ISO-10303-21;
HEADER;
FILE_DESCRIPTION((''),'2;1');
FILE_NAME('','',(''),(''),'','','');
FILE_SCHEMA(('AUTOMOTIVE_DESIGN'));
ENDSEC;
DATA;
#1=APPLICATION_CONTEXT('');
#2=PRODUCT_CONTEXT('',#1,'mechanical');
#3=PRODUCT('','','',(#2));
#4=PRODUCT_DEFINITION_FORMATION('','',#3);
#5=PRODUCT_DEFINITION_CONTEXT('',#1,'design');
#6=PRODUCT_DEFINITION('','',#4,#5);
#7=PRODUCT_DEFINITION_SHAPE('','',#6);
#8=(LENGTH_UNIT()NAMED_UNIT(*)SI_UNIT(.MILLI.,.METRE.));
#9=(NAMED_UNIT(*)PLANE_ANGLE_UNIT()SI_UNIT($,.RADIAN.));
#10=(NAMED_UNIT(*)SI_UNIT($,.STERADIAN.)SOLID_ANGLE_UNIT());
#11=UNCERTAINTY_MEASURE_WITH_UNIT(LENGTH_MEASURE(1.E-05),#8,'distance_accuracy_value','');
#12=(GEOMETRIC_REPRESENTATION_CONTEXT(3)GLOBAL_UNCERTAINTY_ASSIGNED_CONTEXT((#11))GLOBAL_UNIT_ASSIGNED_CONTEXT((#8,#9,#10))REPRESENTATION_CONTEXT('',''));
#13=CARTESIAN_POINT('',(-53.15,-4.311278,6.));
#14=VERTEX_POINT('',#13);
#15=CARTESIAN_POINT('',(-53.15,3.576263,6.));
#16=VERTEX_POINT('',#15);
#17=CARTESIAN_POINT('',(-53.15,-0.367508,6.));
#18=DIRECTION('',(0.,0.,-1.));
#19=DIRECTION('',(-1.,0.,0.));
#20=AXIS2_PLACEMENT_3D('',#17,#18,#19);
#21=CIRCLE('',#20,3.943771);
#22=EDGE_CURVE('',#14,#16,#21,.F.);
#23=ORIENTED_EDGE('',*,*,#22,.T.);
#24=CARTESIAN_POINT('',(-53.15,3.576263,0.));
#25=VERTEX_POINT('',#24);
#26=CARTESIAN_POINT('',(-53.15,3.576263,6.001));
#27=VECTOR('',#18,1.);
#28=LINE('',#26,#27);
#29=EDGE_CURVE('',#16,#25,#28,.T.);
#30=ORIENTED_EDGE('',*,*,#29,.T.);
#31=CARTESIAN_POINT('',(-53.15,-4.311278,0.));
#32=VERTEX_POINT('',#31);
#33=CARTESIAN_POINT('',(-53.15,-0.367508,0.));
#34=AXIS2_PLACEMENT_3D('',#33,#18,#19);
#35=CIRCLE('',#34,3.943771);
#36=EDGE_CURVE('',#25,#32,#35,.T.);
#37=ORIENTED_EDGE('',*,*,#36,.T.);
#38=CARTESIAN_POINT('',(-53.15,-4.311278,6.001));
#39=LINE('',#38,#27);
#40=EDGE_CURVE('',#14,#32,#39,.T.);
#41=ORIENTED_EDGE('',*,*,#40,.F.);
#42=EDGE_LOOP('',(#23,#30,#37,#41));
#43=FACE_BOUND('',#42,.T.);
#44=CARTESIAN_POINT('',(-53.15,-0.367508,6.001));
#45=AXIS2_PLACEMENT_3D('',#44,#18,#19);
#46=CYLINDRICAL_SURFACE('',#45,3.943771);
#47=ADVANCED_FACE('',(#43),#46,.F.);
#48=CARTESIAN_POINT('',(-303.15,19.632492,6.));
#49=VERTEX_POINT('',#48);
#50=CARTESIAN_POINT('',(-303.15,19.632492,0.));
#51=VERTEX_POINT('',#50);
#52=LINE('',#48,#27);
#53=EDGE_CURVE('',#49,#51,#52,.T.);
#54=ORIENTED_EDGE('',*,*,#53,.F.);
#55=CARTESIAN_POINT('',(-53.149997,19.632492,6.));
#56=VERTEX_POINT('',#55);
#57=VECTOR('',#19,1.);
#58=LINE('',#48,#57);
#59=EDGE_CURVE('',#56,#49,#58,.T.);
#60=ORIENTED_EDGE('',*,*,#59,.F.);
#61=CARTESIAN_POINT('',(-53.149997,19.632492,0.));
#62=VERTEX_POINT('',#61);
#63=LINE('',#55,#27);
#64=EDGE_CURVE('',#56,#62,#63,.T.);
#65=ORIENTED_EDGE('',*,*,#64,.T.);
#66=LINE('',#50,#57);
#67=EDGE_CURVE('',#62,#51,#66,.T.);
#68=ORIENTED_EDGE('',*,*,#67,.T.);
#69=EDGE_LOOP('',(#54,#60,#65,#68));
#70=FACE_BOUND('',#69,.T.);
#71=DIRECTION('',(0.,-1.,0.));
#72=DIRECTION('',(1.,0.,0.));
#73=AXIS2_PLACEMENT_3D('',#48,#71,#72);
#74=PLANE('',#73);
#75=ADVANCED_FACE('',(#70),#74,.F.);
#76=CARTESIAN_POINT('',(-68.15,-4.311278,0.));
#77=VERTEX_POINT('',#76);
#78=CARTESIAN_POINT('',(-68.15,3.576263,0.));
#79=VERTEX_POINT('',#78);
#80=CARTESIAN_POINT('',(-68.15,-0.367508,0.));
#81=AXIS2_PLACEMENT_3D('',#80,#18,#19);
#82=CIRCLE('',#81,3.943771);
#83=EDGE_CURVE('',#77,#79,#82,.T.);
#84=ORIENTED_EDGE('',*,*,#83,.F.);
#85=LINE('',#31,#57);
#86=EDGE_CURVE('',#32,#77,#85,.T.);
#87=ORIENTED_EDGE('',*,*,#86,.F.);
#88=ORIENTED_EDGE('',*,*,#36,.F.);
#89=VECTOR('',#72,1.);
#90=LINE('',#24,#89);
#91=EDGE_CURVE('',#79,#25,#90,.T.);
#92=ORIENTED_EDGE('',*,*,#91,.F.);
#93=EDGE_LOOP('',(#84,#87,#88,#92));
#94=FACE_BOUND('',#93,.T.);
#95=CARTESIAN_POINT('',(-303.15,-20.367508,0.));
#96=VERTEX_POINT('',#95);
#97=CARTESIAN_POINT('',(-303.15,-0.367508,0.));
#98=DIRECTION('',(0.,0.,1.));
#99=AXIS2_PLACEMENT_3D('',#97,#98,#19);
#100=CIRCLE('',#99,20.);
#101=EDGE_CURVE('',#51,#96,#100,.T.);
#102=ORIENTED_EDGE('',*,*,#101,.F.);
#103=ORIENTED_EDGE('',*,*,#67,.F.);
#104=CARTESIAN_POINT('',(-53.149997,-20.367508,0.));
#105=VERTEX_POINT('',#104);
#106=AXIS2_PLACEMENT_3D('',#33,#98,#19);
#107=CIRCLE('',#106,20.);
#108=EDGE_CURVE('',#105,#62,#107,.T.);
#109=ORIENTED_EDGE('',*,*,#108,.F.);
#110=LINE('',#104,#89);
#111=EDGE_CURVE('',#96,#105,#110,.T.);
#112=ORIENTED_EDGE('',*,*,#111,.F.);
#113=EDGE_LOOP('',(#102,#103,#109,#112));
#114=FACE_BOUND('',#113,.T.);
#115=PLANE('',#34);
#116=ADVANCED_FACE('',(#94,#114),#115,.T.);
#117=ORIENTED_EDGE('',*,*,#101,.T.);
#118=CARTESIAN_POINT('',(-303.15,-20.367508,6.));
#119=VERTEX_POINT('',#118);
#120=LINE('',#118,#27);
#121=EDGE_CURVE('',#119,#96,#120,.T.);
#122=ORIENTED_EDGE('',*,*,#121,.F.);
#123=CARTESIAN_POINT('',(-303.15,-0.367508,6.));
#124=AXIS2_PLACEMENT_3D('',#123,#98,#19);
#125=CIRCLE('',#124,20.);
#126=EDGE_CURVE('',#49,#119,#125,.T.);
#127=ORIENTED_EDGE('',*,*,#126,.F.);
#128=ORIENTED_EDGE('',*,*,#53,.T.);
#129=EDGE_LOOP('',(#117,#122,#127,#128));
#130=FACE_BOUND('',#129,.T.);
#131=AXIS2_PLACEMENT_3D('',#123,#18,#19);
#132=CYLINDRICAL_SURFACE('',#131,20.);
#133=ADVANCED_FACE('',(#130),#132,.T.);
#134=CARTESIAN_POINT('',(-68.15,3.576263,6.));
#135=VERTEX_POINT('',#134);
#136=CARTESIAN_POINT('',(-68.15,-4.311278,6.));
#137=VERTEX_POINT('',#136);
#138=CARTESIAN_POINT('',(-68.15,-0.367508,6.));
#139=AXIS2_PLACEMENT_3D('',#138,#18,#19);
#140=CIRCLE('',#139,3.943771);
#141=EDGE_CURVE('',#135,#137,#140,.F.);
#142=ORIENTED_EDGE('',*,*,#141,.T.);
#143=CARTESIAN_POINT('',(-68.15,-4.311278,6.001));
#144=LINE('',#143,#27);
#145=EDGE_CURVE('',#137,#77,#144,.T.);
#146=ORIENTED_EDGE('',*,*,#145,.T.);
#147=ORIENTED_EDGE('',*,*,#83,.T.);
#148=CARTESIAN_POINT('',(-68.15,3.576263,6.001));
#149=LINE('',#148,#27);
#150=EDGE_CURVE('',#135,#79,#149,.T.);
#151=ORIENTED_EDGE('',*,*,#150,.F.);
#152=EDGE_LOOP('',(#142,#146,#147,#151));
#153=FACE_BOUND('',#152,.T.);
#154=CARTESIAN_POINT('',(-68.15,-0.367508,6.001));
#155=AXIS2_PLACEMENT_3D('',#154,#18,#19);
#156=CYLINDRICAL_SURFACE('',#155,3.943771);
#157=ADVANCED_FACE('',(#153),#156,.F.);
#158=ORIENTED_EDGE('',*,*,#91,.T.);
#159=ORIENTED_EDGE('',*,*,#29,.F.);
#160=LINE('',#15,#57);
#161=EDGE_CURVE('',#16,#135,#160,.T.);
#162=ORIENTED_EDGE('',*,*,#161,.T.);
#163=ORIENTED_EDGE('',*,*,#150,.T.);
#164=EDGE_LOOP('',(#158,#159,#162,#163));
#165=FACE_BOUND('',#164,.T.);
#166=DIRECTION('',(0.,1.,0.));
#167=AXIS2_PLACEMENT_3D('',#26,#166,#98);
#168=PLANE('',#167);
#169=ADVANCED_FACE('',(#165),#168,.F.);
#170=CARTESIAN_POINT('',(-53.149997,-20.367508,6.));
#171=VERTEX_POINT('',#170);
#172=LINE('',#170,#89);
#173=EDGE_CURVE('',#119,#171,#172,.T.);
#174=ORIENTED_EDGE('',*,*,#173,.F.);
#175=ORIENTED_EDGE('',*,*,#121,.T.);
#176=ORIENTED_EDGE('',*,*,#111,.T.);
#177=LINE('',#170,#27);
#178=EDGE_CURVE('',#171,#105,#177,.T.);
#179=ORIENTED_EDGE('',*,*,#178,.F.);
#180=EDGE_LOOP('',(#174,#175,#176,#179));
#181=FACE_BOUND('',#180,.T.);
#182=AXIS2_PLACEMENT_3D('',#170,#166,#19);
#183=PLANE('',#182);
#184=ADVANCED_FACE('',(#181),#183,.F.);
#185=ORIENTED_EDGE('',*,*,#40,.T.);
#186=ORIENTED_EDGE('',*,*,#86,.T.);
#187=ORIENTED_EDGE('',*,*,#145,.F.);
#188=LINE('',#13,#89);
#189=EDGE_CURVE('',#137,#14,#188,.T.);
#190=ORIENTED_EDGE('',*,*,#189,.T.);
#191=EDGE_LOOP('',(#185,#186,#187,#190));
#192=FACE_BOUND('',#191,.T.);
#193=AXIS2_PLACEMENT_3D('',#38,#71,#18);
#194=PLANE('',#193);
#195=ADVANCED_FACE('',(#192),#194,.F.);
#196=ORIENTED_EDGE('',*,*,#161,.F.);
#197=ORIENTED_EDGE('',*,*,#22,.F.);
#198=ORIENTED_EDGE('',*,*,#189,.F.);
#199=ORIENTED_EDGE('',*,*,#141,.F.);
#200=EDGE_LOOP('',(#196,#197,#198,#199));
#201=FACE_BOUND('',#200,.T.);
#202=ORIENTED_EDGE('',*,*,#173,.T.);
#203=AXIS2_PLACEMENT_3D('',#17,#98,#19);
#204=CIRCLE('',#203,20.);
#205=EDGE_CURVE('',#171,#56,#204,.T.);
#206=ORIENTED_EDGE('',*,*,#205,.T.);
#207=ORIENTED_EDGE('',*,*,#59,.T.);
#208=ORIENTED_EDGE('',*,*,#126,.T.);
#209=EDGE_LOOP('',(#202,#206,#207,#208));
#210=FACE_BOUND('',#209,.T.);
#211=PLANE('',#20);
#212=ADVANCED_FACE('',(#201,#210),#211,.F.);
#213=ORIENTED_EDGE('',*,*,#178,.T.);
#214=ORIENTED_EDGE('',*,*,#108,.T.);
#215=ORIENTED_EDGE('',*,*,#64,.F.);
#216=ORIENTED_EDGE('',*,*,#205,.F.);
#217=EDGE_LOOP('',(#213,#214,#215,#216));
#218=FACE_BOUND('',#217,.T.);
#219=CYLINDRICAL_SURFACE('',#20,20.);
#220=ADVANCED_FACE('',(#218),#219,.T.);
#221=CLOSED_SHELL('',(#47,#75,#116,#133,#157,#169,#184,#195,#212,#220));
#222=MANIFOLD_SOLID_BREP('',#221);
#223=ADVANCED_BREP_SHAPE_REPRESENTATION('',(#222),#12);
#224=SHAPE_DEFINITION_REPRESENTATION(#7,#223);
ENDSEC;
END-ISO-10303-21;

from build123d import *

# Parameters (mm, degrees)
BOSS_EXTRUDE1_DEPTH = 6
CUT_EXTRUDE1_REACH  = 8


with BuildPart() as part:
    # Sketch1 → Boss-Extrude1 (new body)
    with BuildSketch(Plane.XY):
        with BuildLine():
            Line((-53.14999664, -20.367507575), (-303.15, -20.367507575))
            ThreePointArc((-303.15, -20.367507575), (-323.15, -0.367507575), (-303.15, 19.632492425))
            Line((-303.15, 19.632492425), (-53.14999664, 19.632492425))
            ThreePointArc((-53.14999664, 19.632492425), (-33.15, -0.367507575), (-53.14999664, -20.367507575))
        make_face()
    extrude(amount=BOSS_EXTRUDE1_DEPTH)

    # Sketch2 → Cut-Extrude1 (cut, up to next)
    with BuildSketch(Plane(origin=(0, 0, 0), x_dir=(-1, 0, 0), z_dir=(0, 0, -1)), mode=Mode.PRIVATE) as cut_extrude1_sk1:
        with BuildLine():
            Line((53.15, 3.576263022), (68.15, 3.576263022))
            ThreePointArc((68.15, 3.576263022), (72.093770597, -0.367507575), (68.15, -4.311278172))
            Line((68.15, -4.311278172), (53.15, -4.311278172))
            ThreePointArc((53.15, -4.311278172), (49.206229403, -0.367507575), (53.15, 3.576263022))
        make_face()
    cut_extrude1_tool1 = extrude(cut_extrude1_sk1.sketch, amount=-CUT_EXTRUDE1_REACH, mode=Mode.PRIVATE) & part.part
    add(cut_extrude1_tool1.solids().sort_by_distance((-60.65, -0.367508, 0))[0], mode=Mode.SUBTRACT)


solid = part.part
